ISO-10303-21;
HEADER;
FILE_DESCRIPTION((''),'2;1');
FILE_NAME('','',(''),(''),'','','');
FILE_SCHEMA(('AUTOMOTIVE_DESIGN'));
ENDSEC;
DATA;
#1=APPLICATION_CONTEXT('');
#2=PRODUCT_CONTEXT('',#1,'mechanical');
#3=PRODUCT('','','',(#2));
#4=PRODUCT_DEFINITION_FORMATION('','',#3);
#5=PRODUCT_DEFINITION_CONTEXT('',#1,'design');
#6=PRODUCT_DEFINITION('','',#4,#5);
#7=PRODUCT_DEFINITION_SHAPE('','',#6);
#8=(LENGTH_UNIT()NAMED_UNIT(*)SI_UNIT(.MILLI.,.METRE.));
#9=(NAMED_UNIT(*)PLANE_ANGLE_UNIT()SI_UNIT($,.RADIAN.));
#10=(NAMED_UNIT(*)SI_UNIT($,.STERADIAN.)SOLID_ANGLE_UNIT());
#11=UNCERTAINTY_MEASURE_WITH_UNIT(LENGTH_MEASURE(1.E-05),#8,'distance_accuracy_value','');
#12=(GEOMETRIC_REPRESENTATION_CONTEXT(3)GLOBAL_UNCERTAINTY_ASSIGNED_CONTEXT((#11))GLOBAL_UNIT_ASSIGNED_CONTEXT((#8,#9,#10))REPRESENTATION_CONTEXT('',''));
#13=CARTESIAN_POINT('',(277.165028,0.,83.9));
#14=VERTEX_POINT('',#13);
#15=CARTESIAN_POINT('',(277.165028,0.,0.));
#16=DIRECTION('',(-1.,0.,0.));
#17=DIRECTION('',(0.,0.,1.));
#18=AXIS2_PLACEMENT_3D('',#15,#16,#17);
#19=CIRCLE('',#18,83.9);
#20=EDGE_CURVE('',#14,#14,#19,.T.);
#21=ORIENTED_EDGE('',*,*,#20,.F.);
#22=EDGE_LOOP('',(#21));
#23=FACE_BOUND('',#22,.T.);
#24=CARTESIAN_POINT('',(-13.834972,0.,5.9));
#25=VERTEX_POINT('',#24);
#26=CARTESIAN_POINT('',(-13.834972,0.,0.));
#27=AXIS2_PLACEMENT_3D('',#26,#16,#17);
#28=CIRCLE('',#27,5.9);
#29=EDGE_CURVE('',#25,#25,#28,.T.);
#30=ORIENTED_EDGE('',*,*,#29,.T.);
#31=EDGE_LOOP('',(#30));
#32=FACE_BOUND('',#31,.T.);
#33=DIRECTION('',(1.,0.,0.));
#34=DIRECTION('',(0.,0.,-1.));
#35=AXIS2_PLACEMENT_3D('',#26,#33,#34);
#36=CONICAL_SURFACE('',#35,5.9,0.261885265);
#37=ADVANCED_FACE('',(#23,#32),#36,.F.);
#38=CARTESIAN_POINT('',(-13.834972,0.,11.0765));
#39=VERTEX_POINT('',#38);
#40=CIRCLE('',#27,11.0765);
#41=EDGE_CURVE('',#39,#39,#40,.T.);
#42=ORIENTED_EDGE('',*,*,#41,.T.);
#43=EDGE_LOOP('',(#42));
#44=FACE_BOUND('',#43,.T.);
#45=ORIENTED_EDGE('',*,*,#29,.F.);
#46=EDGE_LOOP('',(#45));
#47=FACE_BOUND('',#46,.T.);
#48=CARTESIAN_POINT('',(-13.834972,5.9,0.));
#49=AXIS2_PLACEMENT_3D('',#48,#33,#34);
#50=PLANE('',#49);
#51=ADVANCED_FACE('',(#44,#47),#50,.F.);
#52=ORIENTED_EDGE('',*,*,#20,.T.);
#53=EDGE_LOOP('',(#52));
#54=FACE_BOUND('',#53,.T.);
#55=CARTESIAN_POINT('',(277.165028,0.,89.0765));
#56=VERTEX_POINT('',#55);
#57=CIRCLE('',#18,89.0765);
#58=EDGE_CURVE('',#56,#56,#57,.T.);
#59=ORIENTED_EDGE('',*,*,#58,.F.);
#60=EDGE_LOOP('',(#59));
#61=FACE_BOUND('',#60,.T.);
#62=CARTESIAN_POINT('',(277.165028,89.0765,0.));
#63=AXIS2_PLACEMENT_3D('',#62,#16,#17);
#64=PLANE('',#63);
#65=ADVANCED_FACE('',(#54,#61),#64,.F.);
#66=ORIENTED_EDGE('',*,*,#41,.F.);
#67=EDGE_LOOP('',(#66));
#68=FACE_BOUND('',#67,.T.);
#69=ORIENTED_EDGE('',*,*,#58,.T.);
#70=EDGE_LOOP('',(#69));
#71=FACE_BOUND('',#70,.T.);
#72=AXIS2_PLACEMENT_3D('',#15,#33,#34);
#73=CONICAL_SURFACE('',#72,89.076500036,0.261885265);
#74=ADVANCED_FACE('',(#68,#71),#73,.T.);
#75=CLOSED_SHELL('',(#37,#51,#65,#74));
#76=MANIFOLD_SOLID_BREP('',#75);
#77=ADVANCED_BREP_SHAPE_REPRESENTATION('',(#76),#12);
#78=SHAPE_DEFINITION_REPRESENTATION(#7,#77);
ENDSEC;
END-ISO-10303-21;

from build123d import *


with BuildPart() as part:
    # Schizzo1 → Rivoluzione1 (revolve)
    with BuildSketch(Plane.XY):
        Polygon((-13.83497223, 5.9), (277.16502777, 83.9), (277.16502777, 89.076500036), (-13.83497223, 11.076500036), align=None)
    revolve(axis=Axis((-77.401834861, 0, 0), (1, 0, 0)))


solid = part.part
